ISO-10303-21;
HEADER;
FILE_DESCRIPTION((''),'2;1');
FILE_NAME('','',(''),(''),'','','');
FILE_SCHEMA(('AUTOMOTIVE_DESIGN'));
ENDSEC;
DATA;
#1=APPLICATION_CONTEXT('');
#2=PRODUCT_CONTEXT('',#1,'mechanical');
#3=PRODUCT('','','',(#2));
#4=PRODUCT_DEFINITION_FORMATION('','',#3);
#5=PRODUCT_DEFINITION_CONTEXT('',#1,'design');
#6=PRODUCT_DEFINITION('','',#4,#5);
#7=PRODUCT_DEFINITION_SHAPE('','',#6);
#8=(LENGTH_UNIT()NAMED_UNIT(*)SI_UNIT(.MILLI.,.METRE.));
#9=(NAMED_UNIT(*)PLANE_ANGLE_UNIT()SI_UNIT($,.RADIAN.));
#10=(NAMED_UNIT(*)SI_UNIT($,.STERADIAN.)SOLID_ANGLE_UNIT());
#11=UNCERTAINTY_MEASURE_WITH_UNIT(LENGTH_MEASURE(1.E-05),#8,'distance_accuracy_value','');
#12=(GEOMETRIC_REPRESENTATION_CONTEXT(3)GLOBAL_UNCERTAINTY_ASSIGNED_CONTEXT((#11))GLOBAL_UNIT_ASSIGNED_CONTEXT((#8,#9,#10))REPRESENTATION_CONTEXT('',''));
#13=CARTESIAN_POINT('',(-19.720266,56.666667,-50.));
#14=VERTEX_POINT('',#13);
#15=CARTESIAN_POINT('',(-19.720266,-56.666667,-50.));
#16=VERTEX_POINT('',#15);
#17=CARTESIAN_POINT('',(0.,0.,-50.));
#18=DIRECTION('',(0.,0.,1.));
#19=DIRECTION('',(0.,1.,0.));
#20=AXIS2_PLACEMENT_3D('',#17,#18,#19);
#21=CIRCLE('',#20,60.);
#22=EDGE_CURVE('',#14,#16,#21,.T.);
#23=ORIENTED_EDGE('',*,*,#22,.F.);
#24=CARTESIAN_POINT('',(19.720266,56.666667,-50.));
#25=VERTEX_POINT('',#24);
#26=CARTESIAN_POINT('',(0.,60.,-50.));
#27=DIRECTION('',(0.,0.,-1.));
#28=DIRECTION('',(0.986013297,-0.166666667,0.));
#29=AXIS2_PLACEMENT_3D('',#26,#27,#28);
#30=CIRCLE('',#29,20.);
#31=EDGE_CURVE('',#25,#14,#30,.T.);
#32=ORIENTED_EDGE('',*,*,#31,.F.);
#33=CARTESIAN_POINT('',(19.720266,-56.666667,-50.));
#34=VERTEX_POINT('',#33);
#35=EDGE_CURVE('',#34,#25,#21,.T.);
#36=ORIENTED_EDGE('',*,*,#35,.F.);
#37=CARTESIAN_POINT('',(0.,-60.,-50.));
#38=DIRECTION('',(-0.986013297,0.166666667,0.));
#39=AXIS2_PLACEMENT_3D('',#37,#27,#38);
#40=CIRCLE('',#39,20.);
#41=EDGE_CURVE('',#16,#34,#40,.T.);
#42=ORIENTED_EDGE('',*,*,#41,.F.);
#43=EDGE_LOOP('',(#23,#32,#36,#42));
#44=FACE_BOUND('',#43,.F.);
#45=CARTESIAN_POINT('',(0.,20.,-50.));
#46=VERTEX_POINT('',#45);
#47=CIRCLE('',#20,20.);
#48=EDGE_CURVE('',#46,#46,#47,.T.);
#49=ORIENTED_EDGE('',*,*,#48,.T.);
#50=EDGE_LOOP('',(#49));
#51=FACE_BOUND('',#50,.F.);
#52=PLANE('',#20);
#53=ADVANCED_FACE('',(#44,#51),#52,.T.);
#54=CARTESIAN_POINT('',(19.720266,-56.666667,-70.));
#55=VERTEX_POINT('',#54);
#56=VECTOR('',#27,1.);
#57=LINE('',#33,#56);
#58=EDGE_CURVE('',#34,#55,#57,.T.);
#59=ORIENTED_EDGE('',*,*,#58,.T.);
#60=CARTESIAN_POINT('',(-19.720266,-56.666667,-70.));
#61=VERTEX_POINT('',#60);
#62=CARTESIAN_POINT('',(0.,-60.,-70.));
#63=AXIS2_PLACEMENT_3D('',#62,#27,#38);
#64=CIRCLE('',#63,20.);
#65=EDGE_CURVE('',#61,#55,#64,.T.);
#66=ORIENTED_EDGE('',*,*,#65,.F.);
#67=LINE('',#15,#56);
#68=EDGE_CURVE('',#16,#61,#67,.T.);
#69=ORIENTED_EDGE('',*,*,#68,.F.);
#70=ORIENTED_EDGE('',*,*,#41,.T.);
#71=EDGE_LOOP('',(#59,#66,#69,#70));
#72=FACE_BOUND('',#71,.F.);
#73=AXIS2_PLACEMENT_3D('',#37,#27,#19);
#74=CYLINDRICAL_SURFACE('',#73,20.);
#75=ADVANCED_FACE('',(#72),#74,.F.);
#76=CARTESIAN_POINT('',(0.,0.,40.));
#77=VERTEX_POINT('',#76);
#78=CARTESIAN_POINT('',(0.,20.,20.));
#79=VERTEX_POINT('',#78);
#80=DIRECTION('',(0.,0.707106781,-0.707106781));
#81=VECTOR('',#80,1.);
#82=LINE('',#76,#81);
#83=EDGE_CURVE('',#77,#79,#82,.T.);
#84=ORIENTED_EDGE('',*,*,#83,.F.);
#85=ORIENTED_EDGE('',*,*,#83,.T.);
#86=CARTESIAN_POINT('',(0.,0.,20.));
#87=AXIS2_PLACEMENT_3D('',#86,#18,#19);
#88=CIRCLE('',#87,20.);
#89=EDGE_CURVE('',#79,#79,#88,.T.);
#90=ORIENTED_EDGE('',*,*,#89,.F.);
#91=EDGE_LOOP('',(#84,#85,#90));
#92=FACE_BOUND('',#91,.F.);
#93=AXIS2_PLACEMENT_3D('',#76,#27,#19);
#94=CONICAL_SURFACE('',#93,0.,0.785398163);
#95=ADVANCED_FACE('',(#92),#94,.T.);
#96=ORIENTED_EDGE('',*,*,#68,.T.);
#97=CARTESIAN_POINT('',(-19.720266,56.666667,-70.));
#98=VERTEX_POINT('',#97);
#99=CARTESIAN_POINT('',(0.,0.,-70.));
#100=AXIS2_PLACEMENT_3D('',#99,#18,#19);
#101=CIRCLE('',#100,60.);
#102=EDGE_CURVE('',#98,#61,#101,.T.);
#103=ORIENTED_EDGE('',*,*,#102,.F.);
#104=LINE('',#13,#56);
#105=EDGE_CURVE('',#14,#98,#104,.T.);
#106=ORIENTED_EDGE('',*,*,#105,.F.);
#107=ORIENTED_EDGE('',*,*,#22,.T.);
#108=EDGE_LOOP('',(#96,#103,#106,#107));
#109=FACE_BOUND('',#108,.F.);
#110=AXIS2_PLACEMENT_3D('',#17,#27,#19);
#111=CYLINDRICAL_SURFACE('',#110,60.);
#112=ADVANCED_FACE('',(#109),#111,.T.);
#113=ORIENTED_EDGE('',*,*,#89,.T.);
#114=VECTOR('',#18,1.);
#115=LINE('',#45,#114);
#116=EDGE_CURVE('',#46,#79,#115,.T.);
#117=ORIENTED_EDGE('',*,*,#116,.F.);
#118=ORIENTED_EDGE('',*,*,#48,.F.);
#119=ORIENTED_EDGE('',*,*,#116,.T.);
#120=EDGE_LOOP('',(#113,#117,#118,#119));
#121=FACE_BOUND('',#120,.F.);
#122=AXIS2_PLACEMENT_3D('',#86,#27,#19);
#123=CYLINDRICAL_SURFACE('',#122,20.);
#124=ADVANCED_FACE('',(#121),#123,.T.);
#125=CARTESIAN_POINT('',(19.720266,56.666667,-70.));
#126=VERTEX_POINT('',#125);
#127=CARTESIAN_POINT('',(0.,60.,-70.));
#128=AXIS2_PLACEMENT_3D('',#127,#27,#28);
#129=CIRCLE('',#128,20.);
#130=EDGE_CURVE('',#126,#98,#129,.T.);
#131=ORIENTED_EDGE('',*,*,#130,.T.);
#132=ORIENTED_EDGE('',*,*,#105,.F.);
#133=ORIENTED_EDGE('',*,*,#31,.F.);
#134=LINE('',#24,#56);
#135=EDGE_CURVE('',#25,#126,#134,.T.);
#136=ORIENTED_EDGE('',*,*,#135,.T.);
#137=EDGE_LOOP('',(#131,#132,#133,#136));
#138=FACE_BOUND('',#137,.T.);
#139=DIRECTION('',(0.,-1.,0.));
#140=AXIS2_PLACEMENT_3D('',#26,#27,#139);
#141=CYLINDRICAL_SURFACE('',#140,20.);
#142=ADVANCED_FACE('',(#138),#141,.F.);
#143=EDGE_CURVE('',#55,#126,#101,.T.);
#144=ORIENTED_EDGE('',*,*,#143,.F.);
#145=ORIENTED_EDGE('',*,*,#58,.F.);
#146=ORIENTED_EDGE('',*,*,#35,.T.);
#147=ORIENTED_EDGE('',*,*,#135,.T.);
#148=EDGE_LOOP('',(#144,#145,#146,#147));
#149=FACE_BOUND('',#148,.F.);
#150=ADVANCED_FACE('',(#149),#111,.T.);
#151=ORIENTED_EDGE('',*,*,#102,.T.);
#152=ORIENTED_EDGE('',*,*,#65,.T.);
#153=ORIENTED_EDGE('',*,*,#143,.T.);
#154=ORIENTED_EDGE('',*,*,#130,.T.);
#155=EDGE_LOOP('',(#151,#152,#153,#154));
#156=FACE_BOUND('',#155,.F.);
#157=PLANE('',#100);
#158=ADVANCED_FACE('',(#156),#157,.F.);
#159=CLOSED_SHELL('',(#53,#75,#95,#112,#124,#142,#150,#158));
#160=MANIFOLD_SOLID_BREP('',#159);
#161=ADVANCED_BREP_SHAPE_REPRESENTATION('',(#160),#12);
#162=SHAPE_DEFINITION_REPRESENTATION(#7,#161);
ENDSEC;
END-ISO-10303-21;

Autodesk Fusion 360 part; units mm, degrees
sketch "Sketch1" plane through (0, 0, 0) normal (1, 0, 0) x (0, 1, 0)
  line L0 (0, 0) -> (0, 40)
  line L1 (0, 40) -> (20, 20)
  line L2 (38.614, 36.3802) -> (38.614, 30)
  line L3 (20, 20) -> (20, 0)
  line L4 (20, 0) -> (20, -50)
  line L5 (20, -50) -> (60, -50)
  line L6 (60, -50) -> (60, -70)
  line L7 (60, -70) -> (0, -70)
  line L8 (0, -70) -> (0, 40)
revolve "Revolve1" add sketch "Sketch1" angle 360 about axis through (0, 0, 1.75) along (0, 0, 1)
sketch "Sketch2" plane through (0, 0, 0) normal (1, 0, 0) x (0, 1, 0)
  line L0 (60, -50) -> (40, -50)
  line L1 (40, -50) -> (40, -70)
  line L2 (40, -70) -> (60, -70)
  line L3 (60, -70) -> (60, -50)
revolve "Revolve2" cut sketch "Sketch2" angle 360 about axis through (0, 60, -70) along (0, 0, 1)
mirror "Mirror1" about plane through (0, 0, 0) normal (0, 1, 0) of "Revolve2"
